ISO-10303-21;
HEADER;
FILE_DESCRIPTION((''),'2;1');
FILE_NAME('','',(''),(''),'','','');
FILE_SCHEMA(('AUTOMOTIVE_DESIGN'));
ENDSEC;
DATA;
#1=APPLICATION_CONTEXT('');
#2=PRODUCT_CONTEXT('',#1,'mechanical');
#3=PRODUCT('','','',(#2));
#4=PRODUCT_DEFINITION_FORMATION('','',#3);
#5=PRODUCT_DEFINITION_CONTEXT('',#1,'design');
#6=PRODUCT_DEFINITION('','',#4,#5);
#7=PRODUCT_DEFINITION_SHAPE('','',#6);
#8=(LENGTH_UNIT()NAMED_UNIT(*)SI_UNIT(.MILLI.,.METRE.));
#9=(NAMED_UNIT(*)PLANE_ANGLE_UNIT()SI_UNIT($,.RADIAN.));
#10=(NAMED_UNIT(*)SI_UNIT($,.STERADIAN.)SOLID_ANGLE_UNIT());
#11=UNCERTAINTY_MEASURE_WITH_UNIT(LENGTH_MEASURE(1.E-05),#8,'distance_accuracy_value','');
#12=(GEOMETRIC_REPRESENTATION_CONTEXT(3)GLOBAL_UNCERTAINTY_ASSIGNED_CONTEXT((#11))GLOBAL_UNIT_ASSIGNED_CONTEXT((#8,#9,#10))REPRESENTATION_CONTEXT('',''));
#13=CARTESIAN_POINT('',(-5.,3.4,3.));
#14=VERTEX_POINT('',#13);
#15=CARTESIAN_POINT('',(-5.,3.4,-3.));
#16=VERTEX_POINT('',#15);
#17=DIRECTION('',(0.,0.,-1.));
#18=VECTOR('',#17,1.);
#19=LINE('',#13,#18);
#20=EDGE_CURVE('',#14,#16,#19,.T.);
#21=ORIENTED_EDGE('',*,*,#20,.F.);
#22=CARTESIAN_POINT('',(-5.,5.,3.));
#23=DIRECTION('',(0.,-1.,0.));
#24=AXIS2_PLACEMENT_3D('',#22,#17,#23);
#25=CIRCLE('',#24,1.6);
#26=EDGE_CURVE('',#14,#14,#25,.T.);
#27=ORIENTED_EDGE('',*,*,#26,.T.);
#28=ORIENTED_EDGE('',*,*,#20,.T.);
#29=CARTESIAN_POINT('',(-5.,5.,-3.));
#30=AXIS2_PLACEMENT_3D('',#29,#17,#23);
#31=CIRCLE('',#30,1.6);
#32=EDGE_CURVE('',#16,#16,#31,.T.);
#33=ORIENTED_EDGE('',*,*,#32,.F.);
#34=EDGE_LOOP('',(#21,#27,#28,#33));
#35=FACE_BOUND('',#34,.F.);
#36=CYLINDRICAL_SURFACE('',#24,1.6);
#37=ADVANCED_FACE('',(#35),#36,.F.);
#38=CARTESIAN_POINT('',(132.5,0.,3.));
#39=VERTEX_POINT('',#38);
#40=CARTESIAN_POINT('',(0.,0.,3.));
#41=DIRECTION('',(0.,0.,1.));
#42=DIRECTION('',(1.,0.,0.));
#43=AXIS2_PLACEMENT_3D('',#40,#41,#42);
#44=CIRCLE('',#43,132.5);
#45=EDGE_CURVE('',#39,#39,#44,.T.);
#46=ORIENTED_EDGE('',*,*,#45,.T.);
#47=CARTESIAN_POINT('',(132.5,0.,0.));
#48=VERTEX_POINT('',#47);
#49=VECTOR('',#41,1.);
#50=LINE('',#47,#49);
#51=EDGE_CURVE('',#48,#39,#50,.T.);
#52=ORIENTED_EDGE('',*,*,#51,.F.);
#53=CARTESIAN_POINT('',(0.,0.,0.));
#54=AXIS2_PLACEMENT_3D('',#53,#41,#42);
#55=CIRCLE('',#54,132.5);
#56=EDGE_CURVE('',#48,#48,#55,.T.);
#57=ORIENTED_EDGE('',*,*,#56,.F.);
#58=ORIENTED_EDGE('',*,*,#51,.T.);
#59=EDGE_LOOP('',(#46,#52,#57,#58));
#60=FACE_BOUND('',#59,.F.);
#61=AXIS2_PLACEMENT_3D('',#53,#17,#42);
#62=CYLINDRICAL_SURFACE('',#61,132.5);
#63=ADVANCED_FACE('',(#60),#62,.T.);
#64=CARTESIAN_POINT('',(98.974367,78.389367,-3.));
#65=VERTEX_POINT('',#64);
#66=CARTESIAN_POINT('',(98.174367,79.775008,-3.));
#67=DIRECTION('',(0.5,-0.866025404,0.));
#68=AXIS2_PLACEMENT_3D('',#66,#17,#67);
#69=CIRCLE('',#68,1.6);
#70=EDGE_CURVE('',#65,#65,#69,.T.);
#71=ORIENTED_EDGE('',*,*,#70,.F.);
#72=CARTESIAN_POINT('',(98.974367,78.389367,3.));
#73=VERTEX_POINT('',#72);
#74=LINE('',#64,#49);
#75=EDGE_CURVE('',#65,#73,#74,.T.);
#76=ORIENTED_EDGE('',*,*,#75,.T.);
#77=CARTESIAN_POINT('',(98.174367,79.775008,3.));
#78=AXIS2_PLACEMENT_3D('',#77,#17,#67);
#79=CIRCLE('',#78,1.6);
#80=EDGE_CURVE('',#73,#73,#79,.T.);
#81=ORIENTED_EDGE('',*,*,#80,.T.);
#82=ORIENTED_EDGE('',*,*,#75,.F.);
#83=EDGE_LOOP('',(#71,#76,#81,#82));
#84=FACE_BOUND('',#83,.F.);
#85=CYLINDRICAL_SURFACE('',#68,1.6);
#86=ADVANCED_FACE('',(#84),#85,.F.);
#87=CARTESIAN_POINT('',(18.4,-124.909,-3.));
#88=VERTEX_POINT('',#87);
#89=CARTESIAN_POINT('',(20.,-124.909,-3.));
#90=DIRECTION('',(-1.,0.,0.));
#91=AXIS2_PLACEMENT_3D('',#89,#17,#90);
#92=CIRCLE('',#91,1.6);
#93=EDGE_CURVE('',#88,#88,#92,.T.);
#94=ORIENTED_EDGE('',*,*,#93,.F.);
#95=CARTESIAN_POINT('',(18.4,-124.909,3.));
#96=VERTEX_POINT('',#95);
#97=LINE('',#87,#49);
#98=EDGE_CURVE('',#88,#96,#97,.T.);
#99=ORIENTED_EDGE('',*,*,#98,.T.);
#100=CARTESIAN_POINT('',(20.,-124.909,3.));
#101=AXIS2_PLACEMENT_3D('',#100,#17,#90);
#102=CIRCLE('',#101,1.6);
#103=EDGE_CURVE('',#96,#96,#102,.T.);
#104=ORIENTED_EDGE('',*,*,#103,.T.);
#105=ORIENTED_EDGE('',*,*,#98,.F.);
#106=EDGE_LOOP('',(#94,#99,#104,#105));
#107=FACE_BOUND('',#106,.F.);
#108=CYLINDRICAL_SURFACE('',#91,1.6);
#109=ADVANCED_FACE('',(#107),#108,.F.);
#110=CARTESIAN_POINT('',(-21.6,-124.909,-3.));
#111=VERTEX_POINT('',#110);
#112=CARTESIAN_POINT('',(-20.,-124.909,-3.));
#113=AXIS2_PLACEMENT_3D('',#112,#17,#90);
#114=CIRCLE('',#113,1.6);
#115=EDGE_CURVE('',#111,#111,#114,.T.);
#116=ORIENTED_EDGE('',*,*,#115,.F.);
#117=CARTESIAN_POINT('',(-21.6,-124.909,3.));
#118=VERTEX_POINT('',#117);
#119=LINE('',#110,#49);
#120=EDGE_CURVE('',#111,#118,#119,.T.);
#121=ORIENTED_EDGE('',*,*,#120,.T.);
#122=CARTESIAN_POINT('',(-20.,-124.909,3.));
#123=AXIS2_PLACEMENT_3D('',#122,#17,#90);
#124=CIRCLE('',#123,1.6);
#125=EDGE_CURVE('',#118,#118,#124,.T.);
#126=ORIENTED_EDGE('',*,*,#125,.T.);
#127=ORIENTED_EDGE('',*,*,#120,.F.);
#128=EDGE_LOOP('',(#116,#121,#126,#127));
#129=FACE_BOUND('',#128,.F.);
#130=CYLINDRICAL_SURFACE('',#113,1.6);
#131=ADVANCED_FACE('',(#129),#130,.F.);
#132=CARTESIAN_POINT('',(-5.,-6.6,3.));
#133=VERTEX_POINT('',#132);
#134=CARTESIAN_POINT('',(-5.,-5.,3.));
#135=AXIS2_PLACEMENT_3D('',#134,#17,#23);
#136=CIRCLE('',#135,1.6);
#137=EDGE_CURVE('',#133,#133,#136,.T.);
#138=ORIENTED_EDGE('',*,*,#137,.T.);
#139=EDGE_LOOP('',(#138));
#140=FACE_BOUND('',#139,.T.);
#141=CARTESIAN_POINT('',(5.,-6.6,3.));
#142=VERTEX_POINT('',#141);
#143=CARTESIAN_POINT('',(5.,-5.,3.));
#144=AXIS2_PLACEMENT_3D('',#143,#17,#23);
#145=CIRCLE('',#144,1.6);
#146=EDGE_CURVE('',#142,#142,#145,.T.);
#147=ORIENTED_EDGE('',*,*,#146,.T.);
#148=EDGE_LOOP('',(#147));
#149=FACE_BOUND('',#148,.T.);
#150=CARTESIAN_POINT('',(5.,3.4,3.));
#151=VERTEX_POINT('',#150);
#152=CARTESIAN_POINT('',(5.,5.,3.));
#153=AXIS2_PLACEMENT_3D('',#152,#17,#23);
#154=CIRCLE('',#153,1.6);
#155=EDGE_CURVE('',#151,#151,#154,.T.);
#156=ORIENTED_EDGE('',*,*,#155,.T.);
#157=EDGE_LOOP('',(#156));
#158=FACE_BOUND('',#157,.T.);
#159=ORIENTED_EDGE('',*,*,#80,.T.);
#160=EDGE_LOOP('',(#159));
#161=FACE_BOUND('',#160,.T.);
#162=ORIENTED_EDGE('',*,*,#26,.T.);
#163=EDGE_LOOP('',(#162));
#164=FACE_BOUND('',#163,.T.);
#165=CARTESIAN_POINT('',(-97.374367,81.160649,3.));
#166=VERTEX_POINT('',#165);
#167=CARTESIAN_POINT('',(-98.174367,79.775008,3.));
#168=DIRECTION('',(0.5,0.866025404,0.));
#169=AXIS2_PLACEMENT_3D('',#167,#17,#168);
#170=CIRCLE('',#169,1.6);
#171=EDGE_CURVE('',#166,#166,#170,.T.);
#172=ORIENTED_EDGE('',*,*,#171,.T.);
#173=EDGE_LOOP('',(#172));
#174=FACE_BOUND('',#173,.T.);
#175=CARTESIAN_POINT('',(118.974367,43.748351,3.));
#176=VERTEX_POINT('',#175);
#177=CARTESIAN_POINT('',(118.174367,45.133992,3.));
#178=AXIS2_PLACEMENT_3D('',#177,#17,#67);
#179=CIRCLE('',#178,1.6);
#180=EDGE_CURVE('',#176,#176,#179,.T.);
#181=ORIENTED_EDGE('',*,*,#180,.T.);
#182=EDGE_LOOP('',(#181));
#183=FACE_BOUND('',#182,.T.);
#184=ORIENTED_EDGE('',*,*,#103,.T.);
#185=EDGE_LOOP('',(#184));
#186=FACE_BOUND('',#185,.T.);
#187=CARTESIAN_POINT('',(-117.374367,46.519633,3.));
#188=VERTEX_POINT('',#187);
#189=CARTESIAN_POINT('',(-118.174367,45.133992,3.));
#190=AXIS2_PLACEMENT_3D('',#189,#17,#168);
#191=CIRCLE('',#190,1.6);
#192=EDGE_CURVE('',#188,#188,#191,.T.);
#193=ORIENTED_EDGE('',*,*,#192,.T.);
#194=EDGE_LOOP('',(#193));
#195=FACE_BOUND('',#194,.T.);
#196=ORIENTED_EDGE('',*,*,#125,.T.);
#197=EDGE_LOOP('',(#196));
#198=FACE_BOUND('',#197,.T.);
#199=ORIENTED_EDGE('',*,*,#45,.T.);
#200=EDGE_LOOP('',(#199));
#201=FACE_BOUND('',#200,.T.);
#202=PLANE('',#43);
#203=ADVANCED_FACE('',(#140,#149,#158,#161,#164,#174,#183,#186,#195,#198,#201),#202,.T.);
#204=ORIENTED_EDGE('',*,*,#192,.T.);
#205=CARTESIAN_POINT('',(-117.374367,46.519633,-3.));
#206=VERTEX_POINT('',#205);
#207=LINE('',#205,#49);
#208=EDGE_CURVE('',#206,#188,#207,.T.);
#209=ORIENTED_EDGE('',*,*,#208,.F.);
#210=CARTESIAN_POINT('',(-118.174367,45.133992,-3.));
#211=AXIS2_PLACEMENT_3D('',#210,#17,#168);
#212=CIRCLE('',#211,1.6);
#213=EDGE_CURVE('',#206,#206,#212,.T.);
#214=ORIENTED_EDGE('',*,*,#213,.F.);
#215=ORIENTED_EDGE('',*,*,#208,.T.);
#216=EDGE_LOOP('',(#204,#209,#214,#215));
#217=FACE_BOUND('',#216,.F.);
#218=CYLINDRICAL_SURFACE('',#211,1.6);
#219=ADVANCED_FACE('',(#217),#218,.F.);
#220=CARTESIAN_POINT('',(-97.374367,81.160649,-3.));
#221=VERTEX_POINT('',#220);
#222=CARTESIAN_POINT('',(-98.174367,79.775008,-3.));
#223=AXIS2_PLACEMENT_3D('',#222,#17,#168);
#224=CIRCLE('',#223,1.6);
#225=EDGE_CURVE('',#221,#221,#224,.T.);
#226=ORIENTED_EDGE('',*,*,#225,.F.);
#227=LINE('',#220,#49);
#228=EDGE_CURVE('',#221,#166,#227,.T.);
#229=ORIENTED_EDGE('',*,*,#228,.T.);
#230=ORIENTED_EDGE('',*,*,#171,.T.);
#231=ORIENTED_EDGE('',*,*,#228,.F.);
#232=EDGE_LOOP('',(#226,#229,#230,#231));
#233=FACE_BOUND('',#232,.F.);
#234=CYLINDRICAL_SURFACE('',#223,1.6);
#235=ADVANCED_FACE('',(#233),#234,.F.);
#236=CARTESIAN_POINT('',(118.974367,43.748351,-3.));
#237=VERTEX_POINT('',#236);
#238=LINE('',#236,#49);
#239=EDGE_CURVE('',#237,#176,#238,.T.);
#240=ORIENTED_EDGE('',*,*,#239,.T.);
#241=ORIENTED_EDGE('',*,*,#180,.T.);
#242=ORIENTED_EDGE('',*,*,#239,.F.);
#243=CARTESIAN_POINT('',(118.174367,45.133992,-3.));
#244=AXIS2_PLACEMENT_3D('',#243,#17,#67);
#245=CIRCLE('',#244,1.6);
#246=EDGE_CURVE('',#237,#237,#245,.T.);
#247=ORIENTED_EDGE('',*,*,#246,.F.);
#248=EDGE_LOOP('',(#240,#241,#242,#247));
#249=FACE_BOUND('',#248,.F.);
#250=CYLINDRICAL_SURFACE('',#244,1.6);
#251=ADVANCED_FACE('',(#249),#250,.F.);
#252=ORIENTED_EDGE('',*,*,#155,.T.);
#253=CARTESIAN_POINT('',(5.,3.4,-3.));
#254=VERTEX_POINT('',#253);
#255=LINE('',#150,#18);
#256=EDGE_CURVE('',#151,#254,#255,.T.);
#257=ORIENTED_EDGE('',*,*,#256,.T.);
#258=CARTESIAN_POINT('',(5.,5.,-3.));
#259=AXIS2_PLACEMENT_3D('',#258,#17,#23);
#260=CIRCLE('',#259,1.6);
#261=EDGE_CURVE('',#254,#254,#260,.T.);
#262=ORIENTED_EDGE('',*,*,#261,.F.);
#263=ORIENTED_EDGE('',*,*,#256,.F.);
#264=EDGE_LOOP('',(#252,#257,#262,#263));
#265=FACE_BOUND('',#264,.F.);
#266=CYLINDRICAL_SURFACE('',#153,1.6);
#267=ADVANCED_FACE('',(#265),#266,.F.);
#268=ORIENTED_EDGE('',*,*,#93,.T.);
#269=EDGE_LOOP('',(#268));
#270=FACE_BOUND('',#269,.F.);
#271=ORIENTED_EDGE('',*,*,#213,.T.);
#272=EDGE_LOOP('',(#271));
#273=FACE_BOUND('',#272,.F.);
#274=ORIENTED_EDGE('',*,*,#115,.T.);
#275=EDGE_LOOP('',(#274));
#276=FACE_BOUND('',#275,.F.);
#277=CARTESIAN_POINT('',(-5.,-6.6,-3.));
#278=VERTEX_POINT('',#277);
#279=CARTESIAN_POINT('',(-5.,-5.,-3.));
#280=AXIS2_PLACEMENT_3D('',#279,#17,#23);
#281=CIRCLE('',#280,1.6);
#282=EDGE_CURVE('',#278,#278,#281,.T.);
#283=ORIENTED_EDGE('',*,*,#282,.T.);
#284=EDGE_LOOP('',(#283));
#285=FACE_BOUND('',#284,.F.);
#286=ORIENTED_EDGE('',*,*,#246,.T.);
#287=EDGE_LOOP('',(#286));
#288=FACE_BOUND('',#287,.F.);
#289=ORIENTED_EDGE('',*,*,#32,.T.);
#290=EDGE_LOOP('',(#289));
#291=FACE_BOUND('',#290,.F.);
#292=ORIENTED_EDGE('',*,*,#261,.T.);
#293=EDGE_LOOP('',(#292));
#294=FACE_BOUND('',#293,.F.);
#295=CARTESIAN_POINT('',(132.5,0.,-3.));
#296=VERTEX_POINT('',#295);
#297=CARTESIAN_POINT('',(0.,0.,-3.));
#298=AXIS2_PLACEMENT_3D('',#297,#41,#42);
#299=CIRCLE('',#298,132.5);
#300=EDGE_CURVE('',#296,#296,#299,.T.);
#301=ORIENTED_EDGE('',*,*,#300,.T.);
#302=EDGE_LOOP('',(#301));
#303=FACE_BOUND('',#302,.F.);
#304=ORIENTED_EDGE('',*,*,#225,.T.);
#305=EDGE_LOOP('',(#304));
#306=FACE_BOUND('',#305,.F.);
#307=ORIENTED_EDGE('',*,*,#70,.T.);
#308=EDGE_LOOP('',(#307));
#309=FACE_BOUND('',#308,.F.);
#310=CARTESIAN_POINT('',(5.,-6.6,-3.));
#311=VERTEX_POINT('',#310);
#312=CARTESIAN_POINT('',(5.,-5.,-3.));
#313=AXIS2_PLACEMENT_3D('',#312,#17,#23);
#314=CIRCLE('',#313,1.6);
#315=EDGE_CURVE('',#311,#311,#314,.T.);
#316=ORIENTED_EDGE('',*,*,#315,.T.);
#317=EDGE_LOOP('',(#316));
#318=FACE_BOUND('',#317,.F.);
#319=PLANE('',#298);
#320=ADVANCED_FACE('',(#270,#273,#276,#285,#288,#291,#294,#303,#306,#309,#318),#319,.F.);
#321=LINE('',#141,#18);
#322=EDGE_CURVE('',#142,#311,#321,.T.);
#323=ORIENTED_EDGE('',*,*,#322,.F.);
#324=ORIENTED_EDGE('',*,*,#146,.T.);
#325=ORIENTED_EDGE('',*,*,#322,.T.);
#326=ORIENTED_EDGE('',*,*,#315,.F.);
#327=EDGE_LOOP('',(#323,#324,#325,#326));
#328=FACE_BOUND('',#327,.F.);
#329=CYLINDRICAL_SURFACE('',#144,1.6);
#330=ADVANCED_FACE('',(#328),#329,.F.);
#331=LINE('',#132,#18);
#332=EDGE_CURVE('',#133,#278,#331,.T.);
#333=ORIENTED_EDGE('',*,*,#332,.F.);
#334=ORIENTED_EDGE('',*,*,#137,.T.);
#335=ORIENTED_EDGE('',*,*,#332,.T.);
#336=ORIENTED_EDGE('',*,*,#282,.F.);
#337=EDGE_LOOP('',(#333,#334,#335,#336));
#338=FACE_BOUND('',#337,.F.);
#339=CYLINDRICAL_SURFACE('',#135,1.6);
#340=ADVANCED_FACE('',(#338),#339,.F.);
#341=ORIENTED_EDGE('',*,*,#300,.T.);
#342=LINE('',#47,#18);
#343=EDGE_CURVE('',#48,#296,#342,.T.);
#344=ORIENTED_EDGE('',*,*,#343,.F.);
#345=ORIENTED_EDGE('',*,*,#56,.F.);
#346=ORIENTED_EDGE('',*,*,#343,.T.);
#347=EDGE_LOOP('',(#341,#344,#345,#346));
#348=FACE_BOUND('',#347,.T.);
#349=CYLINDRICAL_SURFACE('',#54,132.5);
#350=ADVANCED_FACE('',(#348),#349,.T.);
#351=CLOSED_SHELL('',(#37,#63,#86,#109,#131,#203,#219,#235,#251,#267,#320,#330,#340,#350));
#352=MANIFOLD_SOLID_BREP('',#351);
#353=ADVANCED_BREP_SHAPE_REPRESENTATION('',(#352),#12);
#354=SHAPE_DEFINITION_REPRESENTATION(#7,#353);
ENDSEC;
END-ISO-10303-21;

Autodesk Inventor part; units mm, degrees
ref_plane "YZ Plane" through (0, 0, 0) normal (1, 0, 0) x (0, 1, 0)
ref_plane "XZ Plane" through (0, 0, 0) normal (0, 1, 0) x (-1, 0, 0)
ref_plane "XY Plane" through (0, 0, 0) normal (0, 0, 1) x (1, 0, 0)
sketch "Эскиз1" plane through (0, 0, 0) normal (0, 0, 1) x (1, 0, 0)
  circle A0 centre (0, 0) radius 132.5
  dimension "d0" = 265
extrude "Выдавливание1" add sketch "Эскиз1" along normal mid plane 6
sketch "Эскиз2" plane through (0, 0, -3) normal (0, 0, -1) x (-1, 0, 0)
  circle A0 centre (20, -124.909) radius 1.6 projected
  circle A1 centre (-20, -124.909) radius 1.6 projected
  point P0 (0, 0)
extrude "Выдавливание2" cut sketch "Эскиз2" against normal through all
pattern_circular "Круговой массив1" count 3 over 360 about axis through (0, 0, -10) along (0, 0, 1) of "Выдавливание2"
sketch "Эскиз3" plane through (0, 0, 3) normal (0, 0, 1) x (1, 0, 0)
  line L0 (-5, -5) -> (5, -5) construction
  line L1 (5, -5) -> (5, 5) construction
  line L2 (5, 5) -> (-5, 5) construction
  line L3 (-5, 5) -> (-5, -5) construction
  line L4 (-5, -5) -> (5, 5) construction
  line L5 (5, -5) -> (-5, 5) construction
  point P0 (0, 0)
  dimension "d8" = 10
hole "Отверстие1" at (-5, 5, 3) at (5, 5, 3) at (-5, -5, 3) at (5, -5, 3) direction (0, 0, -1) diameter 3.2 end through all clearance for "болты с шестигранной головкой / гайка ГОСТ 12876-67" size "M3" standard "ГОСТ"
properties part number "Диск опорный"
